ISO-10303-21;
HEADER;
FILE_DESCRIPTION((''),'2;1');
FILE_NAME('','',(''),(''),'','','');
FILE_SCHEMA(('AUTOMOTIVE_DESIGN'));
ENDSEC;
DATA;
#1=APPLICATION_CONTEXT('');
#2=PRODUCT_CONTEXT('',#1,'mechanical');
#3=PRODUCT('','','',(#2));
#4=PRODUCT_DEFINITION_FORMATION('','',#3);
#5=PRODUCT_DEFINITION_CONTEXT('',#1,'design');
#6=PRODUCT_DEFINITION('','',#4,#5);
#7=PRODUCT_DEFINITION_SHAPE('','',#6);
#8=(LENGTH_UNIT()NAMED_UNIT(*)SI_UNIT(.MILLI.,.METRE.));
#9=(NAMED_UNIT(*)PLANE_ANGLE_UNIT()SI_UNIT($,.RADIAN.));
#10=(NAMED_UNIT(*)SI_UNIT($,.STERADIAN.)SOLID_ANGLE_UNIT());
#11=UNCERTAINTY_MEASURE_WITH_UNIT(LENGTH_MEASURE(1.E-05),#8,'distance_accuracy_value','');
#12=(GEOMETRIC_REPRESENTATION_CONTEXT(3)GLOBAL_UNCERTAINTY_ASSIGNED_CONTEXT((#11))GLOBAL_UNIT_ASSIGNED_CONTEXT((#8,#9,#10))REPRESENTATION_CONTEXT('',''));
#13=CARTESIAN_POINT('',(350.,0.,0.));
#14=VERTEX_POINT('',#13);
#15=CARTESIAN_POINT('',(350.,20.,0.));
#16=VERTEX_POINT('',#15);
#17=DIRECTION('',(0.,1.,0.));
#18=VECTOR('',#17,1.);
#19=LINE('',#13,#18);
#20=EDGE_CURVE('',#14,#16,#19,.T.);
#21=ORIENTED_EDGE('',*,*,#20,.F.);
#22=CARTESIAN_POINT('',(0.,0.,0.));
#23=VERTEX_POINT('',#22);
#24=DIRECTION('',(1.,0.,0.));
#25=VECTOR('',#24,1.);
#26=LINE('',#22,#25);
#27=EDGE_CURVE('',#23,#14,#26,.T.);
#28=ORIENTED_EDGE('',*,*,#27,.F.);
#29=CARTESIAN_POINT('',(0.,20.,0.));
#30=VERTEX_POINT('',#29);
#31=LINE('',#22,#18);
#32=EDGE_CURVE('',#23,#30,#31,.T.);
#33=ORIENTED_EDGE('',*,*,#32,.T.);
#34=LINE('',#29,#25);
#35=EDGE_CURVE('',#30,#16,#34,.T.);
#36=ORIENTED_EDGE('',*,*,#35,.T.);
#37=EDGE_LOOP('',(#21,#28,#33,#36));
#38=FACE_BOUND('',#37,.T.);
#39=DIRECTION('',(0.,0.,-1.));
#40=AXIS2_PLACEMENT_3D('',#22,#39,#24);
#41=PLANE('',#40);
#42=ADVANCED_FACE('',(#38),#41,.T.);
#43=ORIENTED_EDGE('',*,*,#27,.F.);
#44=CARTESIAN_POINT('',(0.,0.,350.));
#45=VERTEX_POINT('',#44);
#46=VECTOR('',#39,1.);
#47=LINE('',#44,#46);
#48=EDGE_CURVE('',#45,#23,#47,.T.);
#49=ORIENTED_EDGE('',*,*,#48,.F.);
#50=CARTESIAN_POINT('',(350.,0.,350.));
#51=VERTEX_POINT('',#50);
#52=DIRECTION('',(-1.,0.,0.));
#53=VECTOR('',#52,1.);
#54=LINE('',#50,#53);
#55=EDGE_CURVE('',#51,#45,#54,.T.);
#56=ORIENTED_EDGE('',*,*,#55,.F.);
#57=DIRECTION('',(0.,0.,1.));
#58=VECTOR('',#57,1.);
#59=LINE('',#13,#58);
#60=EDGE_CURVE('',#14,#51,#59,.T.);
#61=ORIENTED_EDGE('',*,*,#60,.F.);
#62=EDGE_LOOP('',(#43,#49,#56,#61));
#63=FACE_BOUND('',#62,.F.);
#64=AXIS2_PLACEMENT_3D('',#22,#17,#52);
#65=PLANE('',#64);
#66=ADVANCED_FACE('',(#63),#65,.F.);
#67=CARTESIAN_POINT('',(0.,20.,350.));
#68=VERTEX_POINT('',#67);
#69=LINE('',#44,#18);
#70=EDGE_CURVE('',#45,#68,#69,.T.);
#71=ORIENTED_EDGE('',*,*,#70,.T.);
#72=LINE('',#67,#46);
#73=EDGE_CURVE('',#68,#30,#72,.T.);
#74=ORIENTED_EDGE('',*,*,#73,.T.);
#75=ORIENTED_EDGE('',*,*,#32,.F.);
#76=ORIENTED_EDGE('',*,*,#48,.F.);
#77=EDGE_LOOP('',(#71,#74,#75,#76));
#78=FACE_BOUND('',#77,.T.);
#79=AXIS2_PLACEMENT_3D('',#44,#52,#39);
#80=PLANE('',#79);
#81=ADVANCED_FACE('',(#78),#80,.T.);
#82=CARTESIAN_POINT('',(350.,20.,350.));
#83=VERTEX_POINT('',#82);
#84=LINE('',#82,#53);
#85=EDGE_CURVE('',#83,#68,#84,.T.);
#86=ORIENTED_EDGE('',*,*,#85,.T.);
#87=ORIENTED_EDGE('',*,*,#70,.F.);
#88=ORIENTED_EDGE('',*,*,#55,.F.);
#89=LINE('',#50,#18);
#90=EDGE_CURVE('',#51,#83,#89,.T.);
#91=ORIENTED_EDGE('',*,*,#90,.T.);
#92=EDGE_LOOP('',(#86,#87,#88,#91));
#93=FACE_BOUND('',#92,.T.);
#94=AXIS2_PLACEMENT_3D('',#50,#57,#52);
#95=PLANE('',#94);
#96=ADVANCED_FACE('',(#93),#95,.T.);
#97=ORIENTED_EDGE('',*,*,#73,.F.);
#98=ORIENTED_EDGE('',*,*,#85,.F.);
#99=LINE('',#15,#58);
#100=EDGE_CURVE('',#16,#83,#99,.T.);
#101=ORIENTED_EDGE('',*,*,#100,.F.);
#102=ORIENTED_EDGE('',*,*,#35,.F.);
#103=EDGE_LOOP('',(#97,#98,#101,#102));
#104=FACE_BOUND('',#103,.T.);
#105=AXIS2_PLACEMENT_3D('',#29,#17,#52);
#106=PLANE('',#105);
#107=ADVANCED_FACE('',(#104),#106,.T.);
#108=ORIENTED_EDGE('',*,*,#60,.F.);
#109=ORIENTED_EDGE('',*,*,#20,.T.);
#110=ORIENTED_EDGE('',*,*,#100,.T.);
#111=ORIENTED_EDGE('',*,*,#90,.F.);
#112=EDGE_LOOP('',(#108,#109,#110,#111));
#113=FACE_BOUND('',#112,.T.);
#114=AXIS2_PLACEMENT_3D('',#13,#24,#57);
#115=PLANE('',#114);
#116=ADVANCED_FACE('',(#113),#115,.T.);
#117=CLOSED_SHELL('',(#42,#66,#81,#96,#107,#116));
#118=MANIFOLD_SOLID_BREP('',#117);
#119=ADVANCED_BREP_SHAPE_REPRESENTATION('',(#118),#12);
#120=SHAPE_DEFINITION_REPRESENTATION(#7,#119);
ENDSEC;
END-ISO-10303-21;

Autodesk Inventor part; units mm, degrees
ref_plane "YZ Plane" through (0, 0, 0) normal (1, 0, 0) x (0, 1, 0)
ref_plane "XZ Plane" through (0, 0, 0) normal (0, 1, 0) x (-1, 0, 0)
ref_plane "XY Plane" through (0, 0, 0) normal (0, 0, 1) x (1, 0, 0)
sketch "Sketch1" plane through (0, 0, 0) normal (0, 1, 0) x (-1, 0, 0)
  line L0 (0, 0) -> (-350, 0)
  line L1 (-350, 0) -> (-350, 350)
  line L2 (-350, 350) -> (0, 350)
  line L3 (0, 350) -> (0, 0)
  dimension "d0" = 350
  dimension "d1" = 350
extrude "Extrusion1" add sketch "Sketch1" along normal blind 20
properties part number "qr"
